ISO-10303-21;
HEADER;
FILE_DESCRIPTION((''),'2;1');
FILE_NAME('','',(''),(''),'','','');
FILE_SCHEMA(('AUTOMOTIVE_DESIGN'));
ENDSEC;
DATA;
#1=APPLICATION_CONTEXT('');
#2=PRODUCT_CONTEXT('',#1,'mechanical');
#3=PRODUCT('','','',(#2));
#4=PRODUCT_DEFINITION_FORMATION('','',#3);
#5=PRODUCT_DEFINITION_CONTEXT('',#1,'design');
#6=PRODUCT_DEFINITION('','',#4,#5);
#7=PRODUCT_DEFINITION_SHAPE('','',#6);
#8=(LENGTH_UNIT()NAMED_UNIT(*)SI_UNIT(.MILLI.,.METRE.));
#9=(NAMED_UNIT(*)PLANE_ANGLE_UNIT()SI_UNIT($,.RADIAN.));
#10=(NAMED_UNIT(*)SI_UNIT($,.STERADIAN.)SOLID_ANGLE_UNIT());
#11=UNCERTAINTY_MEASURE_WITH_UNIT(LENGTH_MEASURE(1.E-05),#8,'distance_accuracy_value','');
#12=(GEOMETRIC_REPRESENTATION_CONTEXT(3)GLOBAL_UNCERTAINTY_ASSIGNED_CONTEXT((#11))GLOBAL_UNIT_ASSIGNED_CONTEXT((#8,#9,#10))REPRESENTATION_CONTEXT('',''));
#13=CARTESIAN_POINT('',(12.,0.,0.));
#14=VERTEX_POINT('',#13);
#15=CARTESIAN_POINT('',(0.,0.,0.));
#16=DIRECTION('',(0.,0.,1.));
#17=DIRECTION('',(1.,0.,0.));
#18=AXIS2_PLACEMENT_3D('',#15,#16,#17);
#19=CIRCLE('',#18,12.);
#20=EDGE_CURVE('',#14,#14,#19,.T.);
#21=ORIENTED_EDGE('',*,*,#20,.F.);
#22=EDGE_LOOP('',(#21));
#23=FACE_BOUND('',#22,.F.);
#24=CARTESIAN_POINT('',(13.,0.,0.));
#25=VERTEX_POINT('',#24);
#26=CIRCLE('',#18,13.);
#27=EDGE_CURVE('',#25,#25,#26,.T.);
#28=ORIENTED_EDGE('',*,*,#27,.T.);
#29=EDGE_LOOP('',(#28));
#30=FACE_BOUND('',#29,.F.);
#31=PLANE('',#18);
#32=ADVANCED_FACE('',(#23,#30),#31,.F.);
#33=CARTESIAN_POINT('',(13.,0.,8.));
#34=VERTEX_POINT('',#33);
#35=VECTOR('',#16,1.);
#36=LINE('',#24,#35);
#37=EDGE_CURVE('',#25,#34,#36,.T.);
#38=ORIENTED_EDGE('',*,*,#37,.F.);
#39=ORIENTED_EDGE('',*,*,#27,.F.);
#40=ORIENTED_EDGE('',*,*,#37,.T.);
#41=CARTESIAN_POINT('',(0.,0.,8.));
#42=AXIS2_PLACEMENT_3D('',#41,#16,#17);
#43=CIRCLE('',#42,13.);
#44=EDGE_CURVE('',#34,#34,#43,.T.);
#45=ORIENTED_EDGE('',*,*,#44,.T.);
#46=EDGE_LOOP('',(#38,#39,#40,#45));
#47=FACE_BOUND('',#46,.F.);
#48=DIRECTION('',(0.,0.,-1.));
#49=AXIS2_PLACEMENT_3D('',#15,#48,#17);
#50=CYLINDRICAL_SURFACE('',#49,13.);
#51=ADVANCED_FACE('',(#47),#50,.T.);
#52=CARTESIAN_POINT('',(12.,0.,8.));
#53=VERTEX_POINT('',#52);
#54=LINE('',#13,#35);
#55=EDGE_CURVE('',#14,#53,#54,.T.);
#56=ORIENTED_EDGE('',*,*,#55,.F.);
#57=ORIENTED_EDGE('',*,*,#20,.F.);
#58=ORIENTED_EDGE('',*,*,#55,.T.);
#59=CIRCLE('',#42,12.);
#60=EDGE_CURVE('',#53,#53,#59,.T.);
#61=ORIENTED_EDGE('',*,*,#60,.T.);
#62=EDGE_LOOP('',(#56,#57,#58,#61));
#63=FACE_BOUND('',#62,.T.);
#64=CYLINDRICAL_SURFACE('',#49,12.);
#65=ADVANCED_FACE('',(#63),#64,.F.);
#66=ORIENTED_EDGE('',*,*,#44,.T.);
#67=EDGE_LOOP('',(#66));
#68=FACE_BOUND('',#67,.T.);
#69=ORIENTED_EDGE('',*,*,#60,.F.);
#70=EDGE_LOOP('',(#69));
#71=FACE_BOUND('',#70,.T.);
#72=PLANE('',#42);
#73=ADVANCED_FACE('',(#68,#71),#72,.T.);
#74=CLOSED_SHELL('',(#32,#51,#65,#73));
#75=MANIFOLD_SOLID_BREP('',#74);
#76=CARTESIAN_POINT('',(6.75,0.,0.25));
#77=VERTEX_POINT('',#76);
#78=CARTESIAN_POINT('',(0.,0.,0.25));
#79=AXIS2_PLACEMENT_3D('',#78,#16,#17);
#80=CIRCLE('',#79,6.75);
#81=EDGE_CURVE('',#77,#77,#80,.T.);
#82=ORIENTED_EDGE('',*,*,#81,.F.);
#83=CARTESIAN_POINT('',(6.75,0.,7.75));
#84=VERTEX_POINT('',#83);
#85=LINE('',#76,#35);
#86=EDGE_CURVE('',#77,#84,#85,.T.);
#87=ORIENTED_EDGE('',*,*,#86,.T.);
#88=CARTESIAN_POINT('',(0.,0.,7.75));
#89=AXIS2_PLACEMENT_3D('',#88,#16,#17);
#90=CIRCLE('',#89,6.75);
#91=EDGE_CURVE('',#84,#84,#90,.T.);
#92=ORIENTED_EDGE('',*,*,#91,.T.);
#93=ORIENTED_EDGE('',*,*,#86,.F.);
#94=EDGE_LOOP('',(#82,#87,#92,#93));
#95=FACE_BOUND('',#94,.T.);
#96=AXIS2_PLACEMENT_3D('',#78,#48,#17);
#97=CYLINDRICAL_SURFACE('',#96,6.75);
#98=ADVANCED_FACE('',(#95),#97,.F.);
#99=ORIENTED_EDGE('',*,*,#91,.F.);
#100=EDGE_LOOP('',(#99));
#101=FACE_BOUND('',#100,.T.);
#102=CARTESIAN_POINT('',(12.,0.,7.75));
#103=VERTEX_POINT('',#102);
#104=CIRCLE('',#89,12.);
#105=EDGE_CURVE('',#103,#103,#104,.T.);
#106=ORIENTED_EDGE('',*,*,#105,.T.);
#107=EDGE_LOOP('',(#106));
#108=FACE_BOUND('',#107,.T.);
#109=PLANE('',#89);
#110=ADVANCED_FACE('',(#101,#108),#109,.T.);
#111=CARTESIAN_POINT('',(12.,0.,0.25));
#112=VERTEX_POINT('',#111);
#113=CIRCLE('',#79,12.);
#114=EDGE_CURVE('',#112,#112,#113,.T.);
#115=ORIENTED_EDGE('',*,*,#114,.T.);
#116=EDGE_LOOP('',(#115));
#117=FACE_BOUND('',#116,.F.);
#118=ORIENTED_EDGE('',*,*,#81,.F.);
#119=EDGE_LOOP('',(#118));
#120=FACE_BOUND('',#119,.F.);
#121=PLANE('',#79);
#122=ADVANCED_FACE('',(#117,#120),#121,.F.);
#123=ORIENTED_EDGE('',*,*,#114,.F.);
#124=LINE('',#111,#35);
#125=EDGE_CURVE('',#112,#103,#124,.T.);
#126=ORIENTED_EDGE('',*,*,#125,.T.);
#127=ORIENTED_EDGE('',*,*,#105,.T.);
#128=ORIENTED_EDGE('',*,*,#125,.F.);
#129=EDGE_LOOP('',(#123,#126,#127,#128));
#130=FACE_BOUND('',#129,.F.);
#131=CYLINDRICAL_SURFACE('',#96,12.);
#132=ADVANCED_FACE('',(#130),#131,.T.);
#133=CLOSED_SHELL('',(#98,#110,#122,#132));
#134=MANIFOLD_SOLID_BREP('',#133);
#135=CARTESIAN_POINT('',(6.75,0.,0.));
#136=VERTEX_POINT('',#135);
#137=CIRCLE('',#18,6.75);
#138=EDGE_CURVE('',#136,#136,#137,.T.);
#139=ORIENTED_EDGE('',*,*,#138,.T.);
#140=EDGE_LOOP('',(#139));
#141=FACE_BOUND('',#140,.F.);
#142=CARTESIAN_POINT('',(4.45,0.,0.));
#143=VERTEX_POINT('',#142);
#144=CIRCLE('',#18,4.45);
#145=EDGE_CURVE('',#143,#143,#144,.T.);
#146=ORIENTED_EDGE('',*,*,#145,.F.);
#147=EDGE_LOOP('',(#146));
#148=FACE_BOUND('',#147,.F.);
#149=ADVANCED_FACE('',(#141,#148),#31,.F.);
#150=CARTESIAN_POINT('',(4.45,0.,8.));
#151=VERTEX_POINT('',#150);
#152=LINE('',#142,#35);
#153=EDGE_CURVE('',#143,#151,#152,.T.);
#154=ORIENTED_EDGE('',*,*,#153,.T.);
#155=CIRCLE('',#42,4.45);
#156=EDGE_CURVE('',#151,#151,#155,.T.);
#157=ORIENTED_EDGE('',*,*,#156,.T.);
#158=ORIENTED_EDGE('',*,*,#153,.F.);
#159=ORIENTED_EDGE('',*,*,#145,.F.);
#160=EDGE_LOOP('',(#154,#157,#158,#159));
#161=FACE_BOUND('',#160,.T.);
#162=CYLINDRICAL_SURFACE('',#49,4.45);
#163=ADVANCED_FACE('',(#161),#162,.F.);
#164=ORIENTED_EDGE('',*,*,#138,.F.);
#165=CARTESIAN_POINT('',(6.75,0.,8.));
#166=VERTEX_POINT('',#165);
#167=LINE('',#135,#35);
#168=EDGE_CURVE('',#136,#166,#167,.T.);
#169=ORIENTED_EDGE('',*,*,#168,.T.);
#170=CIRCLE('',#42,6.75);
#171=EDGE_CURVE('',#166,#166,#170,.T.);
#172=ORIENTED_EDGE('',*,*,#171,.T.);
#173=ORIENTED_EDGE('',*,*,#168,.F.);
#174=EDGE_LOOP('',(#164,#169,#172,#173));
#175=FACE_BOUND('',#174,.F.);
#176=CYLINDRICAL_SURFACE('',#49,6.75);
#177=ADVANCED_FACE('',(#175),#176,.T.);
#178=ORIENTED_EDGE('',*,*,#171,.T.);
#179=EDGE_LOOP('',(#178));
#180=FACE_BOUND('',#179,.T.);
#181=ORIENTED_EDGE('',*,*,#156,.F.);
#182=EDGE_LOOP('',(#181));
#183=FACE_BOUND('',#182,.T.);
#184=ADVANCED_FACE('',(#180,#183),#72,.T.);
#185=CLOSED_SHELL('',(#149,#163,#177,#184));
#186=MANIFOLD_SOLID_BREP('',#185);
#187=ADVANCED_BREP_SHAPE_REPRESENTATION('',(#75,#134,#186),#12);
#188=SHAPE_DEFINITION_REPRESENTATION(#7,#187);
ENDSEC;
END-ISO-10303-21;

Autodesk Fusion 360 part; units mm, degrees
sketch "main" plane through (0, 0, 0) normal (0, 0, 1) x (1, 0, 0) in component "bearing"
  circle A0 centre (0, 0) radius 13
  circle A1 centre (0, 0) radius 12
  circle A2 centre (0, 0) radius 4.45
  circle A3 centre (0, 0) radius 6.75
  dimension "d1" = 26
  dimension "d2" = 24
  dimension "d3" = 8.9
  dimension "d4" = 13.5
extrude "Extrude1" add sketch "main" along normal blind 8 makes body 1 at (12.9838, -0.648, 5.3333) makes body 2 at (6.7416, -0.3365, 5.3333) in component "bearing"
extrude "Extrude2" add sketch "main" along normal blind 7.5 from surface at 0.25 separate body contours A1 makes body 3 in component "bearing"
component "bearing" placed x (1, 0, 0) y (0, 1, 0) z (0, 0, 1) at (0, 0, 0)
equation "d2 = 26 mm - 2 mm"
equation "d8 = 8 mm - 0.5 mm"
